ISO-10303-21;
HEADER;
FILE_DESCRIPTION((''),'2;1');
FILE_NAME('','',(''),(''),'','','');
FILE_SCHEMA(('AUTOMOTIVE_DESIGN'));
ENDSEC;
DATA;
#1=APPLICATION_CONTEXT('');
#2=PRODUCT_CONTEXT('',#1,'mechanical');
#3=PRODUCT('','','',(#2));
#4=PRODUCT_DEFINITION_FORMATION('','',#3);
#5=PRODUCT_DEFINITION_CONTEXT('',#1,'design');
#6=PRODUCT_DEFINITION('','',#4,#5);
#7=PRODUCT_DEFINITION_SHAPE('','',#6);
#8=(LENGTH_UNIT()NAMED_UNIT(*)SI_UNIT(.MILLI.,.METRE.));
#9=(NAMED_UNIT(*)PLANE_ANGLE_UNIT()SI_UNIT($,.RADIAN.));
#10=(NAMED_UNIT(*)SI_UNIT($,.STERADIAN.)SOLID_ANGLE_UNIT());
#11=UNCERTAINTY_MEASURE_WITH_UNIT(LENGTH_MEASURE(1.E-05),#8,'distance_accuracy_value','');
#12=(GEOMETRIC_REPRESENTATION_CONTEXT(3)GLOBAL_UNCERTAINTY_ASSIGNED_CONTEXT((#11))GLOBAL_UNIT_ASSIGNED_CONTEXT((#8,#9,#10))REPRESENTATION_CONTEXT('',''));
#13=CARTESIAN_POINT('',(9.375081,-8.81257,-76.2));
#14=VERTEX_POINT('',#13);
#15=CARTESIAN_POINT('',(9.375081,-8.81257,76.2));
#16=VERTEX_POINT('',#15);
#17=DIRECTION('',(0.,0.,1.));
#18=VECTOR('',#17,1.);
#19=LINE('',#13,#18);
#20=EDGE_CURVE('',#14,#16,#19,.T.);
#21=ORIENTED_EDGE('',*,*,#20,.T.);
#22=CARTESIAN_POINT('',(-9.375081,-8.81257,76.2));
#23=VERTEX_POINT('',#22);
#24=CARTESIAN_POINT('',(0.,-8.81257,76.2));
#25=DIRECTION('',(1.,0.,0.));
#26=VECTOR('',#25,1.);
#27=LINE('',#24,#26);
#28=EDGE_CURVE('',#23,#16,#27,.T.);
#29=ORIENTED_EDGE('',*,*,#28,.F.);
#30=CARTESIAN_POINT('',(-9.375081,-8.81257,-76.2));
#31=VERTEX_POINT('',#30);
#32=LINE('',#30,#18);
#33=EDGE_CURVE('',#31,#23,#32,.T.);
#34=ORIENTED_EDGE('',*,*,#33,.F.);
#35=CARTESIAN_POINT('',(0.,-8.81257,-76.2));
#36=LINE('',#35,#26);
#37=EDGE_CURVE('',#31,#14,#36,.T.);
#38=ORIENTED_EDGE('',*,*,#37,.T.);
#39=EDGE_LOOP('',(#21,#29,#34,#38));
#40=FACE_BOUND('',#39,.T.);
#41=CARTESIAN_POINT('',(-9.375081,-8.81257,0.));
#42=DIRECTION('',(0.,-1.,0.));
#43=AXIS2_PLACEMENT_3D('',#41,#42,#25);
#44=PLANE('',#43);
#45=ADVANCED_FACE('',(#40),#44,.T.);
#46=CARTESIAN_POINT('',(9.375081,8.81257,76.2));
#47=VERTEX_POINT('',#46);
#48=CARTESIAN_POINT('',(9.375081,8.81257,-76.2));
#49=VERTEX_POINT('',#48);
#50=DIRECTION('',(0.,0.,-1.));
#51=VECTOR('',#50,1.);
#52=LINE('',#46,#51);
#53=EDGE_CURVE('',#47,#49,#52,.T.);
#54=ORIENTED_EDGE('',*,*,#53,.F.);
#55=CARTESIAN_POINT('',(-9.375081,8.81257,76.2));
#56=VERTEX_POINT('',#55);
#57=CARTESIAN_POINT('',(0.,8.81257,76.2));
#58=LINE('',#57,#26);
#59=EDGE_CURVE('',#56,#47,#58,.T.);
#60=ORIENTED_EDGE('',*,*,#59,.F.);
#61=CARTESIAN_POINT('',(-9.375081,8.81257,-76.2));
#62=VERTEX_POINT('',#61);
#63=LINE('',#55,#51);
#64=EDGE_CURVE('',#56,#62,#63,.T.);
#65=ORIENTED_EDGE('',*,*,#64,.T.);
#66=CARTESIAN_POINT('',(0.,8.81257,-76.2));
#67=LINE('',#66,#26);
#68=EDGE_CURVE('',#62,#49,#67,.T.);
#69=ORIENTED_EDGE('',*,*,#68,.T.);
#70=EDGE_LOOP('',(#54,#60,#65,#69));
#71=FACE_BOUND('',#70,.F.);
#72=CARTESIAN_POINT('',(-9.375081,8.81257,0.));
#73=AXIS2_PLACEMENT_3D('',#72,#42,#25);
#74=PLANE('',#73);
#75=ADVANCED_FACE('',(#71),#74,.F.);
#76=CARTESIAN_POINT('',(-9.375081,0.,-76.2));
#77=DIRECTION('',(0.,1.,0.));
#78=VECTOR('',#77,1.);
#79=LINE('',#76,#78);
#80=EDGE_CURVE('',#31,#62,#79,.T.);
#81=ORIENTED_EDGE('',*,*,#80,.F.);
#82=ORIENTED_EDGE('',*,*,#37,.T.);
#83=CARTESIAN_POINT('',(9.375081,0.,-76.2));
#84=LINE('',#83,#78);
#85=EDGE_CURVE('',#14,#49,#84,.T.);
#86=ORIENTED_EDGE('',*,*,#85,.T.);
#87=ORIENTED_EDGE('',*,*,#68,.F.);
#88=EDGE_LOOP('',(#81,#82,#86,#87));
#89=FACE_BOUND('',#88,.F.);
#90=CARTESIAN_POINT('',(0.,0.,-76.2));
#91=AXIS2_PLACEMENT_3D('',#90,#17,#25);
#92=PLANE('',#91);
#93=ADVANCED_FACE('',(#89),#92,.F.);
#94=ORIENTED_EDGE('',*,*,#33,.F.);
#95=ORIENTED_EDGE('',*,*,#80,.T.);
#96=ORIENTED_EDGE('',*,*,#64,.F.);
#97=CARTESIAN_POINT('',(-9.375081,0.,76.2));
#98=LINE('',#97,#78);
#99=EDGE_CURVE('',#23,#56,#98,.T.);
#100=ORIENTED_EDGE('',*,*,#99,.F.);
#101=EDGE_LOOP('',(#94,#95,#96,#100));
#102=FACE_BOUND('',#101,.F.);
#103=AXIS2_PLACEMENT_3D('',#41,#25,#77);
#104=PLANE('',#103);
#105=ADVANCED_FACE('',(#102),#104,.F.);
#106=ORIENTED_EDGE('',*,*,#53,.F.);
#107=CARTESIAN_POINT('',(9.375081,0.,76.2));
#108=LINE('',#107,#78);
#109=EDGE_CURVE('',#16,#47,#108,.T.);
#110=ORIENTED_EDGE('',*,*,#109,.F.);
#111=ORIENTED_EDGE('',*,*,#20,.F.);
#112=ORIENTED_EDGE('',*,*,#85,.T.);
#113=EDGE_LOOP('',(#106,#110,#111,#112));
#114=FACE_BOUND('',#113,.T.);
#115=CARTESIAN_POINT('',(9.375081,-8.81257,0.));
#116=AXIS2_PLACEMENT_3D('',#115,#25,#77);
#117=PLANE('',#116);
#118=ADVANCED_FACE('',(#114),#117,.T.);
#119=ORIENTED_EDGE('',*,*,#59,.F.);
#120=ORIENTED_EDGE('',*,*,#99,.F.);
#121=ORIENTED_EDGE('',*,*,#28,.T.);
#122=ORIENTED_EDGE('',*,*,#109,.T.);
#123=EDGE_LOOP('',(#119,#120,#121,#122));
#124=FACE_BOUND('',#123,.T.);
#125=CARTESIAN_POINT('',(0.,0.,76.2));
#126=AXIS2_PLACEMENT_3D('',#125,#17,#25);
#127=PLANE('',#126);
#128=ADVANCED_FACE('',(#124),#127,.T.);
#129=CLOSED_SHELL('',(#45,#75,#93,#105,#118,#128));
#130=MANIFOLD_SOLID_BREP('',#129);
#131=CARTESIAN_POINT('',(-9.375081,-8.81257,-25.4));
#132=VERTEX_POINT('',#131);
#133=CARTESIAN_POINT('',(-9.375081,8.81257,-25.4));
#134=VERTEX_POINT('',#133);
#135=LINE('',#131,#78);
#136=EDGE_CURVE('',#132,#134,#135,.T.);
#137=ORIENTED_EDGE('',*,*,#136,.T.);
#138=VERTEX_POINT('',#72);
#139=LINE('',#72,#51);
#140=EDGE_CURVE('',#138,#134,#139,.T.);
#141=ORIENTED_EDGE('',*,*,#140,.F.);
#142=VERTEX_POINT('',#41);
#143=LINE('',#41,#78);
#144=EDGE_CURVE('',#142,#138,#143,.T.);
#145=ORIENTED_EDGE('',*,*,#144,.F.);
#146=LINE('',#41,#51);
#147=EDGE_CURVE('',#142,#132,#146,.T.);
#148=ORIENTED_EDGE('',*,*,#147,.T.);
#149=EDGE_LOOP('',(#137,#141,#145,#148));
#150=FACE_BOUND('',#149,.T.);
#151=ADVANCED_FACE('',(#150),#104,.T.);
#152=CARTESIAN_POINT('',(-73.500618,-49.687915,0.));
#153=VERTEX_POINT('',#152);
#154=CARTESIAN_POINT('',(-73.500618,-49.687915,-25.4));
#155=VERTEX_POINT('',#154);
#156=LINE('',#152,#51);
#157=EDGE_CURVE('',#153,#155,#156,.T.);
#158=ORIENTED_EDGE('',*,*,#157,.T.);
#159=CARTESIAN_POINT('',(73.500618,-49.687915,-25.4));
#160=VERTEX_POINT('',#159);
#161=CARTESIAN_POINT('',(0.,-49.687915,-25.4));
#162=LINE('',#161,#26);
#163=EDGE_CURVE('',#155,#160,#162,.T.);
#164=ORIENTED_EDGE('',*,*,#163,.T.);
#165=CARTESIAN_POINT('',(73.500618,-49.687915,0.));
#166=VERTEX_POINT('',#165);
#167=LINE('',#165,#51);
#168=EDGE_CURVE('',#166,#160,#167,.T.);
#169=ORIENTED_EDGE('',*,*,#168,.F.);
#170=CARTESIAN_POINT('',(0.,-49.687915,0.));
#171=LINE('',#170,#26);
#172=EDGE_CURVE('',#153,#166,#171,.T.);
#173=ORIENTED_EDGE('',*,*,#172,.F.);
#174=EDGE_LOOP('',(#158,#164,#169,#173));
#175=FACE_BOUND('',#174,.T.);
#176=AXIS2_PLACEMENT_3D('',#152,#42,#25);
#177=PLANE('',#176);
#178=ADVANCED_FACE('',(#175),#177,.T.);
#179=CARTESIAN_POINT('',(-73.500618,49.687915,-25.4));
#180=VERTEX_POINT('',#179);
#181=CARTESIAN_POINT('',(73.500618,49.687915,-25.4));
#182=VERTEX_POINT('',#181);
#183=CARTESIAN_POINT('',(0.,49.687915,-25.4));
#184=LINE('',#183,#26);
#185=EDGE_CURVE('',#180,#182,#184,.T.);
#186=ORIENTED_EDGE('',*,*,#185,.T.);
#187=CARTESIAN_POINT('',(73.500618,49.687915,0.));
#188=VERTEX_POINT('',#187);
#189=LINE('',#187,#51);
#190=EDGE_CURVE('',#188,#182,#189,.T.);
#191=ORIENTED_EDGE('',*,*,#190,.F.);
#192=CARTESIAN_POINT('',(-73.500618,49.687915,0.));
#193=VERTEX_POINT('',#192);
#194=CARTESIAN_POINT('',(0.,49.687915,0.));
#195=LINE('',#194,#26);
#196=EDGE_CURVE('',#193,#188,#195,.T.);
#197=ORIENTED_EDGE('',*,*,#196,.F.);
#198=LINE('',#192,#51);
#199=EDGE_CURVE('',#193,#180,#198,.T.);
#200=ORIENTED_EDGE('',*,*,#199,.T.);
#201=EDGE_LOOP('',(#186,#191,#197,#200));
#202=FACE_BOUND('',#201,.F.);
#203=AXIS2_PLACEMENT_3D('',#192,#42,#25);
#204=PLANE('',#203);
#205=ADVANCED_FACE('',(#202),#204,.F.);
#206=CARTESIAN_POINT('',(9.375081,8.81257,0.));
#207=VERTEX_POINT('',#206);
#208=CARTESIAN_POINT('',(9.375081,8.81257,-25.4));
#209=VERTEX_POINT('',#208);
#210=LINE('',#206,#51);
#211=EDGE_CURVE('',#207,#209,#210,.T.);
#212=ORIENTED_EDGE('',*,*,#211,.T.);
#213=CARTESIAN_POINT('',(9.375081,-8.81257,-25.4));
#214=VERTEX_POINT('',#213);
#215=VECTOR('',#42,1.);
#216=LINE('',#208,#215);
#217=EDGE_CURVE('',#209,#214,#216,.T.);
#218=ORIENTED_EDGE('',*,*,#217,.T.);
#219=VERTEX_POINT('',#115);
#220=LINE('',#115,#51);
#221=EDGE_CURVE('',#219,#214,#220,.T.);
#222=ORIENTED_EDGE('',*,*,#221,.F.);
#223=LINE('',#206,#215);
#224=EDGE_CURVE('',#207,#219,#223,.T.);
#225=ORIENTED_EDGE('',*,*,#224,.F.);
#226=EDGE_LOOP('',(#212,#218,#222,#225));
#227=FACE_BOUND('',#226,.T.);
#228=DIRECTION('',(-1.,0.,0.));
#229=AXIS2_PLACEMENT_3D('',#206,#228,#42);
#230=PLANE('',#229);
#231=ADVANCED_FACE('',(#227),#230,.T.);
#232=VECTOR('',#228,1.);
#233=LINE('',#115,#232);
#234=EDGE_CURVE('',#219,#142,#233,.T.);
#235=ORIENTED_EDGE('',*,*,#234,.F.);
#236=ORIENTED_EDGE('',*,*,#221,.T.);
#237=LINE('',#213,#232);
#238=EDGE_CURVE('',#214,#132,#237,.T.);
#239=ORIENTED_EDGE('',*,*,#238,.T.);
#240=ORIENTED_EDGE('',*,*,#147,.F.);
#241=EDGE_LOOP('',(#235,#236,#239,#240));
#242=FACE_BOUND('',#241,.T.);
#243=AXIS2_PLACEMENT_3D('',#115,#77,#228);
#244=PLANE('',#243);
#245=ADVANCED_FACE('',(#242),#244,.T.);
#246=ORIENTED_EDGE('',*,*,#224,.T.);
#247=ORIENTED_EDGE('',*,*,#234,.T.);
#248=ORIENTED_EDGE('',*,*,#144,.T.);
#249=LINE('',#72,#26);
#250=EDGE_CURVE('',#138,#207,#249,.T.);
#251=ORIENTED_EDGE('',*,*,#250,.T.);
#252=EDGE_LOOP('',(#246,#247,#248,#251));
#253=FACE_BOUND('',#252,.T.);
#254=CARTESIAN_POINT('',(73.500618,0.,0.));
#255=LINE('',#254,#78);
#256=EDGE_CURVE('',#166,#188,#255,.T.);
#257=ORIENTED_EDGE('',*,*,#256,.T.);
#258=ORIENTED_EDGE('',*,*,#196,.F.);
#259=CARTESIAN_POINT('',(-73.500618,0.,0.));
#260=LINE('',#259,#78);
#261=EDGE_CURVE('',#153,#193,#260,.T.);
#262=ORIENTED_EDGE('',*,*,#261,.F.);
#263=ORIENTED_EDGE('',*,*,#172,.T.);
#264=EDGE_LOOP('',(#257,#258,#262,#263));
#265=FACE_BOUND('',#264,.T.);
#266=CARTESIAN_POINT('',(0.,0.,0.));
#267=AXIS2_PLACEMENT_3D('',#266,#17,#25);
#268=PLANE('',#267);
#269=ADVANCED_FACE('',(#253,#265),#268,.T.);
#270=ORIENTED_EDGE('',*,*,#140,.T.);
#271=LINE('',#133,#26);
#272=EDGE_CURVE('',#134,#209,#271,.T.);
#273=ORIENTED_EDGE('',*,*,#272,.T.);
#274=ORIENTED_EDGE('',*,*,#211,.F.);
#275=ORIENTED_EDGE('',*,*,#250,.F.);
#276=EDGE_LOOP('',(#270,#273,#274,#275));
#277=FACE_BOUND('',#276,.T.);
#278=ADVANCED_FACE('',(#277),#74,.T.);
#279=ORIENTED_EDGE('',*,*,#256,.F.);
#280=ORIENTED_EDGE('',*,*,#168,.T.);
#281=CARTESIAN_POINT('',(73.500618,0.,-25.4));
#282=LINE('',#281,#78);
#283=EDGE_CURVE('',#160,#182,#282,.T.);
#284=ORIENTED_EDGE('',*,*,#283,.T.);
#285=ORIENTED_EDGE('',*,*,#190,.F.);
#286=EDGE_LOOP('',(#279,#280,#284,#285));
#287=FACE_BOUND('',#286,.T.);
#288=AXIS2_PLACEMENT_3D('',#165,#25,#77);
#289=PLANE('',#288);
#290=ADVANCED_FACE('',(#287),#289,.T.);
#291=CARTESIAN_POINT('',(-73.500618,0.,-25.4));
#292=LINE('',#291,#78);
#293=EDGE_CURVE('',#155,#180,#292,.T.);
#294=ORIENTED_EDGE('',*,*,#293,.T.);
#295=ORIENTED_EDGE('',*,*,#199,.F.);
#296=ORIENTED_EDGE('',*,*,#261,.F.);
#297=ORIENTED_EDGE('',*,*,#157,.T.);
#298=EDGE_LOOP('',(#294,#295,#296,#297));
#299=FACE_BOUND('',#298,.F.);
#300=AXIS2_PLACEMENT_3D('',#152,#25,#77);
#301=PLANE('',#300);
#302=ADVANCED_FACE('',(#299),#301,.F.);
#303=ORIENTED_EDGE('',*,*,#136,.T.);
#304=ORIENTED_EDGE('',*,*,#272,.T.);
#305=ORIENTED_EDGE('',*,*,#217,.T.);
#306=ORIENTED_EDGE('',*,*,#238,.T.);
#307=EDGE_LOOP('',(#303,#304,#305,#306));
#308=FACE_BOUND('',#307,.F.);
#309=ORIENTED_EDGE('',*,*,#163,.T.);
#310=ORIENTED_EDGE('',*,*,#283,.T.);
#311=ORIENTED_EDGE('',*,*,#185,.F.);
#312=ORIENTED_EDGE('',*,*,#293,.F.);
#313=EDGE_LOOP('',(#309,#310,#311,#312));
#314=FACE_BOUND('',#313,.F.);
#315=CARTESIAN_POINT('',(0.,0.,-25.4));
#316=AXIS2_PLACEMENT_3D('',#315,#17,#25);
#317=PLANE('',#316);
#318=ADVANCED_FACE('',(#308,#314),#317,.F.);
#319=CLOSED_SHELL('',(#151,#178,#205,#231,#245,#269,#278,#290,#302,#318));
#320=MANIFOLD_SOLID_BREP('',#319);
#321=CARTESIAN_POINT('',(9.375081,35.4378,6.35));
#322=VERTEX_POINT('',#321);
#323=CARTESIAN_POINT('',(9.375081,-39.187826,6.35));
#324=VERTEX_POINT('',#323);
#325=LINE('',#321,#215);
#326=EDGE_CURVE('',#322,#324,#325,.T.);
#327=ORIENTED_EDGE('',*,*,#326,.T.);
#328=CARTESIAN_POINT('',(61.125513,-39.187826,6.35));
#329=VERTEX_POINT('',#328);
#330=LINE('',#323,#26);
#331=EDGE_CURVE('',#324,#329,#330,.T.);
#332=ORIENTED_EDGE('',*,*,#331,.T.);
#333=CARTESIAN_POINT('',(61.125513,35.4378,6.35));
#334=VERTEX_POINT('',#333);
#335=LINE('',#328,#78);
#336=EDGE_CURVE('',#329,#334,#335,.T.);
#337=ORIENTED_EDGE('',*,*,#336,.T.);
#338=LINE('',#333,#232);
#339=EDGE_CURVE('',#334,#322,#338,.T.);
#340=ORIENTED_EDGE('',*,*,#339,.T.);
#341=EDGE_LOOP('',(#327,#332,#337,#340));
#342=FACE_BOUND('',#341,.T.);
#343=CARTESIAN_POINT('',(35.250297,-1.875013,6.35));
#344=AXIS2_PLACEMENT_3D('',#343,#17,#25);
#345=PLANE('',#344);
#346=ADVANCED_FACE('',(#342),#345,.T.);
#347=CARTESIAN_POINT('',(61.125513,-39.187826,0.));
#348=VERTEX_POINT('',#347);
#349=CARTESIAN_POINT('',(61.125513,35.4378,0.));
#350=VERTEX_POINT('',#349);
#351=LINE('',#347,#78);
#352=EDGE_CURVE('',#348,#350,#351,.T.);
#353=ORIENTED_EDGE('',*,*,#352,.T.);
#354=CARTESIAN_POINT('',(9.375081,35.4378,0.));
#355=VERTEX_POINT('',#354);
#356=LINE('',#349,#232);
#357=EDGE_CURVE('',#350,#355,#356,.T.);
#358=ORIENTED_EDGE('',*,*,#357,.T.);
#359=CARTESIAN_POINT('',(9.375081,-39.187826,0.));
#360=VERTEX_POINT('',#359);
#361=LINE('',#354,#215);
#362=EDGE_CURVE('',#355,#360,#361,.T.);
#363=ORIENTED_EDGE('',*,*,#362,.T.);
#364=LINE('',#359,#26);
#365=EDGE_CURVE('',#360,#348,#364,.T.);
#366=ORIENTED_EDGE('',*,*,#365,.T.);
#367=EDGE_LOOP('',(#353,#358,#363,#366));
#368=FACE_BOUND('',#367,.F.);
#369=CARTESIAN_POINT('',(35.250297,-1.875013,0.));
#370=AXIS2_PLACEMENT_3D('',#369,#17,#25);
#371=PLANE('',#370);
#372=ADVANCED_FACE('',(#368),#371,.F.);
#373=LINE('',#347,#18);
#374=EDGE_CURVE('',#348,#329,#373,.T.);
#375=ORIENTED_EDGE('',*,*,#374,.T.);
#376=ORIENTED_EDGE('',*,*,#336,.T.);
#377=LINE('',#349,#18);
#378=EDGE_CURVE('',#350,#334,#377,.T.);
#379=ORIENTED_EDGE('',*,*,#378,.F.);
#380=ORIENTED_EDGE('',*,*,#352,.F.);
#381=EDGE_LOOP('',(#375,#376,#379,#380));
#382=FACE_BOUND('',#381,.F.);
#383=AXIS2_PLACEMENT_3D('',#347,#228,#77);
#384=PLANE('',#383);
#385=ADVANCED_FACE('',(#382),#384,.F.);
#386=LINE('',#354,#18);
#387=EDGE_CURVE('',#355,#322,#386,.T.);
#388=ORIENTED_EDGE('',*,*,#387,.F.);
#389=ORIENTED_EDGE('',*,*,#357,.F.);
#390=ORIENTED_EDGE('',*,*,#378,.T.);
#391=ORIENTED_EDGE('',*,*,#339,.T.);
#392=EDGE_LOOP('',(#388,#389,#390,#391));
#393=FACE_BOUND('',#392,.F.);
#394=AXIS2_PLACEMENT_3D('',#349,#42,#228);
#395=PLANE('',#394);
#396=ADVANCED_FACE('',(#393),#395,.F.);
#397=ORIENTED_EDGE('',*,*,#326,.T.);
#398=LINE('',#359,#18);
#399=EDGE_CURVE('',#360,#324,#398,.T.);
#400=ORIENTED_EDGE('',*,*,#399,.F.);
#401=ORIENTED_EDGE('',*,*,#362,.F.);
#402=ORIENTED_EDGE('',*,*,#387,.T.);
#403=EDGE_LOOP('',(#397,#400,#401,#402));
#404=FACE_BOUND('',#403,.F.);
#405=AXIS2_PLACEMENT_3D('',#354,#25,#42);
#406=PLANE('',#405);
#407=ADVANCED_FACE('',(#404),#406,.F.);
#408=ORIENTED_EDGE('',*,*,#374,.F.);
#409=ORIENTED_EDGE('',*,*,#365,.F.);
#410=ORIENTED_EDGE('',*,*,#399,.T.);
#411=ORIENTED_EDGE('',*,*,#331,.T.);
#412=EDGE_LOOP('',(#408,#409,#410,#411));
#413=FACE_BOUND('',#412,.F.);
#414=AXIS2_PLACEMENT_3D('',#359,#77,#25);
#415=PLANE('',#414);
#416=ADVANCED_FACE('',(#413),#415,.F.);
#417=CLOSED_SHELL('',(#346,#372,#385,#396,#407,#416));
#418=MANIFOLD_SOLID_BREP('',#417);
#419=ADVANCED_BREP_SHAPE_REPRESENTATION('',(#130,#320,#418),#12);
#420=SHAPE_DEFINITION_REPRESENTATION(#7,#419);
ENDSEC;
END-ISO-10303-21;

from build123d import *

# Parameters (mm, degrees)
F0_W     = 147.001236
F0_H     = 99.37583
F1_DEPTH = 25.4
F0_W_2   = 18.750162
F0_H_2   = 17.62514
F2_DEPTH = 76.2
F3_DEPTH = 6.35


with BuildPart() as f1:
    # F0 (on Top) → F1 (new body)
    with BuildSketch(Plane.XY):
        Rectangle(F0_W, F0_H)
        Polygon((9.375081, -39.187826), (9.375081, -8.81257), (-9.375081, -8.81257), (-9.375081, 8.81257), (9.375081, 8.81257), (9.375081, 35.4378), (61.125513, 35.4378), (61.125513, -39.187826), align=None, mode=Mode.SUBTRACT)
        Polygon((9.375081, 8.81257), (9.375081, -8.81257), (9.375081, -39.187826), (61.125513, -39.187826), (61.125513, 35.4378), (9.375081, 35.4378), align=None)
    extrude(amount=-F1_DEPTH)


with BuildPart() as f2:
    # F0 (on Top) → F2 (new body, symmetric)
    with BuildSketch(Plane.XY):
        Rectangle(F0_W_2, F0_H_2)
    extrude(amount=F2_DEPTH, both=True)


with BuildPart() as f3:
    # F0 (on Top) → F3 (new body)
    with BuildSketch(Plane.XY):
        Polygon((9.375081, 8.81257), (9.375081, -8.81257), (9.375081, -39.187826), (61.125513, -39.187826), (61.125513, 35.4378), (9.375081, 35.4378), align=None)
    extrude(amount=F3_DEPTH)


solid = Compound([f1.part, f2.part, f3.part])
